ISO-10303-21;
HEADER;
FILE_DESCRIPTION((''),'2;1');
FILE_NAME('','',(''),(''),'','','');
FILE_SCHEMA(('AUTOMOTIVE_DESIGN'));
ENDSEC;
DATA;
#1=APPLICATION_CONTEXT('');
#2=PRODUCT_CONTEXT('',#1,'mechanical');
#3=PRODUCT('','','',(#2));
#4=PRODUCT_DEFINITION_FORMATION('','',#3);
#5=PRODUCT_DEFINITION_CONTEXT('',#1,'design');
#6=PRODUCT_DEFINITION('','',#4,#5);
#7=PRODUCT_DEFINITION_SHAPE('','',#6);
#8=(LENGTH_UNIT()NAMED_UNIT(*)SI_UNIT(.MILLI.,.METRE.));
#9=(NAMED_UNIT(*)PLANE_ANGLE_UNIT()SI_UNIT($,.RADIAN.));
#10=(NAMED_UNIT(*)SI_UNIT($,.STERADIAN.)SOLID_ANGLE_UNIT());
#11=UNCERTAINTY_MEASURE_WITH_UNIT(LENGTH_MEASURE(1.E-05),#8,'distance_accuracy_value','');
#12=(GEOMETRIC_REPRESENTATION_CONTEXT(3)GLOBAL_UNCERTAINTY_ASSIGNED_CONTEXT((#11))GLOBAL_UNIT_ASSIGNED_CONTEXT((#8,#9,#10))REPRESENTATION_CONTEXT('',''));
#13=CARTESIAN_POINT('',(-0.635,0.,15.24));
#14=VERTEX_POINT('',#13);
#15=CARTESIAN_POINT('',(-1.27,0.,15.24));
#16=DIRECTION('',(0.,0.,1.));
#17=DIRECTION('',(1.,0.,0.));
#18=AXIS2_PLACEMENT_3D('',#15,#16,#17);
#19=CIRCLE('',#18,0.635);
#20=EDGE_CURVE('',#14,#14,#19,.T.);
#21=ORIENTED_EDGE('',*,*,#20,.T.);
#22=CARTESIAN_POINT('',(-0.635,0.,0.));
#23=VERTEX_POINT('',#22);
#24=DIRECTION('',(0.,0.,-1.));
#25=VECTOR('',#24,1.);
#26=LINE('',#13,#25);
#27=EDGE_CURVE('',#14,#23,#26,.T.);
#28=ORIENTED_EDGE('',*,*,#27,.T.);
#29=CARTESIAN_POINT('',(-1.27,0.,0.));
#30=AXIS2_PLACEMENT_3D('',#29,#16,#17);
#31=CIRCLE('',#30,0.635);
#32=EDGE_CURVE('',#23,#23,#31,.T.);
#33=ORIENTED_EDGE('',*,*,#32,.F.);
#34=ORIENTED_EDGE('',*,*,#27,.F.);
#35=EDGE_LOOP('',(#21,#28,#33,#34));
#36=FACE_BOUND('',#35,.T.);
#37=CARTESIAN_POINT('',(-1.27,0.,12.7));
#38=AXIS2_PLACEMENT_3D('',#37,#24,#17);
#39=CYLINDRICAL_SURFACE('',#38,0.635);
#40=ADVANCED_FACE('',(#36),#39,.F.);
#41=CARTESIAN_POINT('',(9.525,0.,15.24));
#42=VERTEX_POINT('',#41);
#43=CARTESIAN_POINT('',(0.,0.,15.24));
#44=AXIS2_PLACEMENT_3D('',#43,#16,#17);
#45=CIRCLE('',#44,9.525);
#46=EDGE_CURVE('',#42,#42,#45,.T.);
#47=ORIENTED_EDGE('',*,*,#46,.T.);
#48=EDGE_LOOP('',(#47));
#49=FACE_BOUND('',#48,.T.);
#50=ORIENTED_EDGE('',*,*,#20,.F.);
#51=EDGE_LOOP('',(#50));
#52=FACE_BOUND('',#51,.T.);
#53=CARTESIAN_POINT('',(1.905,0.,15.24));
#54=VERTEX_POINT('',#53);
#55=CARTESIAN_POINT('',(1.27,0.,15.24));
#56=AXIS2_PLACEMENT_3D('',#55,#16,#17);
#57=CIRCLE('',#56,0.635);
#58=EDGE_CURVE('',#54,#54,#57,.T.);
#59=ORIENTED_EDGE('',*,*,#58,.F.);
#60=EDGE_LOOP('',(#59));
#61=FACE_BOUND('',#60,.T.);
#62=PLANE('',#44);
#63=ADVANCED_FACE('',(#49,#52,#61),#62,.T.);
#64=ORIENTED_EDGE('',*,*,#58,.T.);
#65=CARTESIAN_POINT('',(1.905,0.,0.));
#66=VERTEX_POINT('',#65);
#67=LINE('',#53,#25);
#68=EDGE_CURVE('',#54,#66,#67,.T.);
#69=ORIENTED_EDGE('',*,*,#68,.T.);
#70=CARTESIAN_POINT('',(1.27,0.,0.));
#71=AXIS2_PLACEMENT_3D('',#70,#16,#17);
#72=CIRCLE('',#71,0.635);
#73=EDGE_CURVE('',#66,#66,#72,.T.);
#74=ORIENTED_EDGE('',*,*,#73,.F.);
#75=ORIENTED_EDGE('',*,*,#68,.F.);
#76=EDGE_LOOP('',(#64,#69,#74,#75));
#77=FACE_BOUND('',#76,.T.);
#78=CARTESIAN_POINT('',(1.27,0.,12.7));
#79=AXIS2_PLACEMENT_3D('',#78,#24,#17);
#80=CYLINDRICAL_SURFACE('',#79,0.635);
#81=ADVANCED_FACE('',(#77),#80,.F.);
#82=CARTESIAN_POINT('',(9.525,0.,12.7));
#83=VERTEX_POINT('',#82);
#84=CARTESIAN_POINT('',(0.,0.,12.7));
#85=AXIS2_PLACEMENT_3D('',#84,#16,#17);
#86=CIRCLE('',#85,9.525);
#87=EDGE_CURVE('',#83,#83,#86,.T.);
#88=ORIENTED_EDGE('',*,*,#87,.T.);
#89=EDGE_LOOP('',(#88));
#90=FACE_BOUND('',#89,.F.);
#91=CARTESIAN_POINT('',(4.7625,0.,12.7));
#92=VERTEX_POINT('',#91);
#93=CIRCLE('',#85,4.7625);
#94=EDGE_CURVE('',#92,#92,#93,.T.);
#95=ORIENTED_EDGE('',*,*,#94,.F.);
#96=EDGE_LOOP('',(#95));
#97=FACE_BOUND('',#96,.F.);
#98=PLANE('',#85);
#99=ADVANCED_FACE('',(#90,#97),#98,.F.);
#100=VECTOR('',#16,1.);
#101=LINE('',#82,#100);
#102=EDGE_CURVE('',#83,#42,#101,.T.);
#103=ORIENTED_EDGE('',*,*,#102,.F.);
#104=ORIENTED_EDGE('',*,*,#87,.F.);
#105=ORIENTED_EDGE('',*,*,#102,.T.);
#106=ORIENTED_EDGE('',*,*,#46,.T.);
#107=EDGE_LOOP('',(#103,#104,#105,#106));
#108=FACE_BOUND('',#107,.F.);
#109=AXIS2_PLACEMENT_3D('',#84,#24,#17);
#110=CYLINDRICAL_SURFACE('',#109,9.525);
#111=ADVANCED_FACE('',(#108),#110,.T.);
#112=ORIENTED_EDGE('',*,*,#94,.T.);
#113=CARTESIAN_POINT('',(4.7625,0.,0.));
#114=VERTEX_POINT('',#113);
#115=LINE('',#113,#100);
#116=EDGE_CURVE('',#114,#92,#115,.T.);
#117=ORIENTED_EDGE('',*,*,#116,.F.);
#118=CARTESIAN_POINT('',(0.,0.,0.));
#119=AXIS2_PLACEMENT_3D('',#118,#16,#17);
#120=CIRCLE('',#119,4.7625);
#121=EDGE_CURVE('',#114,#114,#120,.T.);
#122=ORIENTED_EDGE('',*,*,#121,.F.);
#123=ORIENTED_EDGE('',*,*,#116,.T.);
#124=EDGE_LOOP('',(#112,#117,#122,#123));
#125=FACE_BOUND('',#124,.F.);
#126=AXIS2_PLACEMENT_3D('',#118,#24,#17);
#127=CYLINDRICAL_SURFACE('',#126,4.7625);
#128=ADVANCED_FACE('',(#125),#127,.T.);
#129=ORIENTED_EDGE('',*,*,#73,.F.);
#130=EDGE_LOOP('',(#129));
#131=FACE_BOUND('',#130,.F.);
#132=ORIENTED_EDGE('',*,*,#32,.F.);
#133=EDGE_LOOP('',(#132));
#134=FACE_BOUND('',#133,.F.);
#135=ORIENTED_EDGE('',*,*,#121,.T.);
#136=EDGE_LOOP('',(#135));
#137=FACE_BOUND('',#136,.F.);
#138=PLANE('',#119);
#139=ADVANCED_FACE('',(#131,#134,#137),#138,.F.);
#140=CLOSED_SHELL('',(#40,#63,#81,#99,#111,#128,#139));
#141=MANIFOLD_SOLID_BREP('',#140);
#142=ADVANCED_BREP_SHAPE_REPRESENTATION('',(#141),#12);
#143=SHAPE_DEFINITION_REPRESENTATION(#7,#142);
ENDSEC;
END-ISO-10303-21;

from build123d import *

# Parameters (mm, degrees)
F0_R     = 4.7625
F0_R_2   = 0.635
F1_DEPTH = 12.7
F2_R     = 9.525
F2_R_2   = 4.7625
F2_R_3   = 0.635
F3_DEPTH = 2.54


with BuildPart() as f1:
    # F0 (on Top) → F1 (new body)
    with BuildSketch(Plane.XY):
        Circle(F0_R)
        with Locations((-1.27, 0)):
            Circle(F0_R_2, mode=Mode.SUBTRACT)
        with Locations((1.27, 0)):
            Circle(F0_R_2, mode=Mode.SUBTRACT)
    extrude(amount=F1_DEPTH)

    # F2 (on face) → F3 (join)
    with BuildSketch(Plane.XY.offset(12.7)):
        Circle(F2_R)
        Circle(F2_R_2, mode=Mode.SUBTRACT)
        Circle(F2_R_2)
        with Locations((-1.27, 0)):
            Circle(F2_R_3, mode=Mode.SUBTRACT)
        with Locations((1.27, 0)):
            Circle(F2_R_3, mode=Mode.SUBTRACT)
    extrude(amount=F3_DEPTH)


solid = f1.part
